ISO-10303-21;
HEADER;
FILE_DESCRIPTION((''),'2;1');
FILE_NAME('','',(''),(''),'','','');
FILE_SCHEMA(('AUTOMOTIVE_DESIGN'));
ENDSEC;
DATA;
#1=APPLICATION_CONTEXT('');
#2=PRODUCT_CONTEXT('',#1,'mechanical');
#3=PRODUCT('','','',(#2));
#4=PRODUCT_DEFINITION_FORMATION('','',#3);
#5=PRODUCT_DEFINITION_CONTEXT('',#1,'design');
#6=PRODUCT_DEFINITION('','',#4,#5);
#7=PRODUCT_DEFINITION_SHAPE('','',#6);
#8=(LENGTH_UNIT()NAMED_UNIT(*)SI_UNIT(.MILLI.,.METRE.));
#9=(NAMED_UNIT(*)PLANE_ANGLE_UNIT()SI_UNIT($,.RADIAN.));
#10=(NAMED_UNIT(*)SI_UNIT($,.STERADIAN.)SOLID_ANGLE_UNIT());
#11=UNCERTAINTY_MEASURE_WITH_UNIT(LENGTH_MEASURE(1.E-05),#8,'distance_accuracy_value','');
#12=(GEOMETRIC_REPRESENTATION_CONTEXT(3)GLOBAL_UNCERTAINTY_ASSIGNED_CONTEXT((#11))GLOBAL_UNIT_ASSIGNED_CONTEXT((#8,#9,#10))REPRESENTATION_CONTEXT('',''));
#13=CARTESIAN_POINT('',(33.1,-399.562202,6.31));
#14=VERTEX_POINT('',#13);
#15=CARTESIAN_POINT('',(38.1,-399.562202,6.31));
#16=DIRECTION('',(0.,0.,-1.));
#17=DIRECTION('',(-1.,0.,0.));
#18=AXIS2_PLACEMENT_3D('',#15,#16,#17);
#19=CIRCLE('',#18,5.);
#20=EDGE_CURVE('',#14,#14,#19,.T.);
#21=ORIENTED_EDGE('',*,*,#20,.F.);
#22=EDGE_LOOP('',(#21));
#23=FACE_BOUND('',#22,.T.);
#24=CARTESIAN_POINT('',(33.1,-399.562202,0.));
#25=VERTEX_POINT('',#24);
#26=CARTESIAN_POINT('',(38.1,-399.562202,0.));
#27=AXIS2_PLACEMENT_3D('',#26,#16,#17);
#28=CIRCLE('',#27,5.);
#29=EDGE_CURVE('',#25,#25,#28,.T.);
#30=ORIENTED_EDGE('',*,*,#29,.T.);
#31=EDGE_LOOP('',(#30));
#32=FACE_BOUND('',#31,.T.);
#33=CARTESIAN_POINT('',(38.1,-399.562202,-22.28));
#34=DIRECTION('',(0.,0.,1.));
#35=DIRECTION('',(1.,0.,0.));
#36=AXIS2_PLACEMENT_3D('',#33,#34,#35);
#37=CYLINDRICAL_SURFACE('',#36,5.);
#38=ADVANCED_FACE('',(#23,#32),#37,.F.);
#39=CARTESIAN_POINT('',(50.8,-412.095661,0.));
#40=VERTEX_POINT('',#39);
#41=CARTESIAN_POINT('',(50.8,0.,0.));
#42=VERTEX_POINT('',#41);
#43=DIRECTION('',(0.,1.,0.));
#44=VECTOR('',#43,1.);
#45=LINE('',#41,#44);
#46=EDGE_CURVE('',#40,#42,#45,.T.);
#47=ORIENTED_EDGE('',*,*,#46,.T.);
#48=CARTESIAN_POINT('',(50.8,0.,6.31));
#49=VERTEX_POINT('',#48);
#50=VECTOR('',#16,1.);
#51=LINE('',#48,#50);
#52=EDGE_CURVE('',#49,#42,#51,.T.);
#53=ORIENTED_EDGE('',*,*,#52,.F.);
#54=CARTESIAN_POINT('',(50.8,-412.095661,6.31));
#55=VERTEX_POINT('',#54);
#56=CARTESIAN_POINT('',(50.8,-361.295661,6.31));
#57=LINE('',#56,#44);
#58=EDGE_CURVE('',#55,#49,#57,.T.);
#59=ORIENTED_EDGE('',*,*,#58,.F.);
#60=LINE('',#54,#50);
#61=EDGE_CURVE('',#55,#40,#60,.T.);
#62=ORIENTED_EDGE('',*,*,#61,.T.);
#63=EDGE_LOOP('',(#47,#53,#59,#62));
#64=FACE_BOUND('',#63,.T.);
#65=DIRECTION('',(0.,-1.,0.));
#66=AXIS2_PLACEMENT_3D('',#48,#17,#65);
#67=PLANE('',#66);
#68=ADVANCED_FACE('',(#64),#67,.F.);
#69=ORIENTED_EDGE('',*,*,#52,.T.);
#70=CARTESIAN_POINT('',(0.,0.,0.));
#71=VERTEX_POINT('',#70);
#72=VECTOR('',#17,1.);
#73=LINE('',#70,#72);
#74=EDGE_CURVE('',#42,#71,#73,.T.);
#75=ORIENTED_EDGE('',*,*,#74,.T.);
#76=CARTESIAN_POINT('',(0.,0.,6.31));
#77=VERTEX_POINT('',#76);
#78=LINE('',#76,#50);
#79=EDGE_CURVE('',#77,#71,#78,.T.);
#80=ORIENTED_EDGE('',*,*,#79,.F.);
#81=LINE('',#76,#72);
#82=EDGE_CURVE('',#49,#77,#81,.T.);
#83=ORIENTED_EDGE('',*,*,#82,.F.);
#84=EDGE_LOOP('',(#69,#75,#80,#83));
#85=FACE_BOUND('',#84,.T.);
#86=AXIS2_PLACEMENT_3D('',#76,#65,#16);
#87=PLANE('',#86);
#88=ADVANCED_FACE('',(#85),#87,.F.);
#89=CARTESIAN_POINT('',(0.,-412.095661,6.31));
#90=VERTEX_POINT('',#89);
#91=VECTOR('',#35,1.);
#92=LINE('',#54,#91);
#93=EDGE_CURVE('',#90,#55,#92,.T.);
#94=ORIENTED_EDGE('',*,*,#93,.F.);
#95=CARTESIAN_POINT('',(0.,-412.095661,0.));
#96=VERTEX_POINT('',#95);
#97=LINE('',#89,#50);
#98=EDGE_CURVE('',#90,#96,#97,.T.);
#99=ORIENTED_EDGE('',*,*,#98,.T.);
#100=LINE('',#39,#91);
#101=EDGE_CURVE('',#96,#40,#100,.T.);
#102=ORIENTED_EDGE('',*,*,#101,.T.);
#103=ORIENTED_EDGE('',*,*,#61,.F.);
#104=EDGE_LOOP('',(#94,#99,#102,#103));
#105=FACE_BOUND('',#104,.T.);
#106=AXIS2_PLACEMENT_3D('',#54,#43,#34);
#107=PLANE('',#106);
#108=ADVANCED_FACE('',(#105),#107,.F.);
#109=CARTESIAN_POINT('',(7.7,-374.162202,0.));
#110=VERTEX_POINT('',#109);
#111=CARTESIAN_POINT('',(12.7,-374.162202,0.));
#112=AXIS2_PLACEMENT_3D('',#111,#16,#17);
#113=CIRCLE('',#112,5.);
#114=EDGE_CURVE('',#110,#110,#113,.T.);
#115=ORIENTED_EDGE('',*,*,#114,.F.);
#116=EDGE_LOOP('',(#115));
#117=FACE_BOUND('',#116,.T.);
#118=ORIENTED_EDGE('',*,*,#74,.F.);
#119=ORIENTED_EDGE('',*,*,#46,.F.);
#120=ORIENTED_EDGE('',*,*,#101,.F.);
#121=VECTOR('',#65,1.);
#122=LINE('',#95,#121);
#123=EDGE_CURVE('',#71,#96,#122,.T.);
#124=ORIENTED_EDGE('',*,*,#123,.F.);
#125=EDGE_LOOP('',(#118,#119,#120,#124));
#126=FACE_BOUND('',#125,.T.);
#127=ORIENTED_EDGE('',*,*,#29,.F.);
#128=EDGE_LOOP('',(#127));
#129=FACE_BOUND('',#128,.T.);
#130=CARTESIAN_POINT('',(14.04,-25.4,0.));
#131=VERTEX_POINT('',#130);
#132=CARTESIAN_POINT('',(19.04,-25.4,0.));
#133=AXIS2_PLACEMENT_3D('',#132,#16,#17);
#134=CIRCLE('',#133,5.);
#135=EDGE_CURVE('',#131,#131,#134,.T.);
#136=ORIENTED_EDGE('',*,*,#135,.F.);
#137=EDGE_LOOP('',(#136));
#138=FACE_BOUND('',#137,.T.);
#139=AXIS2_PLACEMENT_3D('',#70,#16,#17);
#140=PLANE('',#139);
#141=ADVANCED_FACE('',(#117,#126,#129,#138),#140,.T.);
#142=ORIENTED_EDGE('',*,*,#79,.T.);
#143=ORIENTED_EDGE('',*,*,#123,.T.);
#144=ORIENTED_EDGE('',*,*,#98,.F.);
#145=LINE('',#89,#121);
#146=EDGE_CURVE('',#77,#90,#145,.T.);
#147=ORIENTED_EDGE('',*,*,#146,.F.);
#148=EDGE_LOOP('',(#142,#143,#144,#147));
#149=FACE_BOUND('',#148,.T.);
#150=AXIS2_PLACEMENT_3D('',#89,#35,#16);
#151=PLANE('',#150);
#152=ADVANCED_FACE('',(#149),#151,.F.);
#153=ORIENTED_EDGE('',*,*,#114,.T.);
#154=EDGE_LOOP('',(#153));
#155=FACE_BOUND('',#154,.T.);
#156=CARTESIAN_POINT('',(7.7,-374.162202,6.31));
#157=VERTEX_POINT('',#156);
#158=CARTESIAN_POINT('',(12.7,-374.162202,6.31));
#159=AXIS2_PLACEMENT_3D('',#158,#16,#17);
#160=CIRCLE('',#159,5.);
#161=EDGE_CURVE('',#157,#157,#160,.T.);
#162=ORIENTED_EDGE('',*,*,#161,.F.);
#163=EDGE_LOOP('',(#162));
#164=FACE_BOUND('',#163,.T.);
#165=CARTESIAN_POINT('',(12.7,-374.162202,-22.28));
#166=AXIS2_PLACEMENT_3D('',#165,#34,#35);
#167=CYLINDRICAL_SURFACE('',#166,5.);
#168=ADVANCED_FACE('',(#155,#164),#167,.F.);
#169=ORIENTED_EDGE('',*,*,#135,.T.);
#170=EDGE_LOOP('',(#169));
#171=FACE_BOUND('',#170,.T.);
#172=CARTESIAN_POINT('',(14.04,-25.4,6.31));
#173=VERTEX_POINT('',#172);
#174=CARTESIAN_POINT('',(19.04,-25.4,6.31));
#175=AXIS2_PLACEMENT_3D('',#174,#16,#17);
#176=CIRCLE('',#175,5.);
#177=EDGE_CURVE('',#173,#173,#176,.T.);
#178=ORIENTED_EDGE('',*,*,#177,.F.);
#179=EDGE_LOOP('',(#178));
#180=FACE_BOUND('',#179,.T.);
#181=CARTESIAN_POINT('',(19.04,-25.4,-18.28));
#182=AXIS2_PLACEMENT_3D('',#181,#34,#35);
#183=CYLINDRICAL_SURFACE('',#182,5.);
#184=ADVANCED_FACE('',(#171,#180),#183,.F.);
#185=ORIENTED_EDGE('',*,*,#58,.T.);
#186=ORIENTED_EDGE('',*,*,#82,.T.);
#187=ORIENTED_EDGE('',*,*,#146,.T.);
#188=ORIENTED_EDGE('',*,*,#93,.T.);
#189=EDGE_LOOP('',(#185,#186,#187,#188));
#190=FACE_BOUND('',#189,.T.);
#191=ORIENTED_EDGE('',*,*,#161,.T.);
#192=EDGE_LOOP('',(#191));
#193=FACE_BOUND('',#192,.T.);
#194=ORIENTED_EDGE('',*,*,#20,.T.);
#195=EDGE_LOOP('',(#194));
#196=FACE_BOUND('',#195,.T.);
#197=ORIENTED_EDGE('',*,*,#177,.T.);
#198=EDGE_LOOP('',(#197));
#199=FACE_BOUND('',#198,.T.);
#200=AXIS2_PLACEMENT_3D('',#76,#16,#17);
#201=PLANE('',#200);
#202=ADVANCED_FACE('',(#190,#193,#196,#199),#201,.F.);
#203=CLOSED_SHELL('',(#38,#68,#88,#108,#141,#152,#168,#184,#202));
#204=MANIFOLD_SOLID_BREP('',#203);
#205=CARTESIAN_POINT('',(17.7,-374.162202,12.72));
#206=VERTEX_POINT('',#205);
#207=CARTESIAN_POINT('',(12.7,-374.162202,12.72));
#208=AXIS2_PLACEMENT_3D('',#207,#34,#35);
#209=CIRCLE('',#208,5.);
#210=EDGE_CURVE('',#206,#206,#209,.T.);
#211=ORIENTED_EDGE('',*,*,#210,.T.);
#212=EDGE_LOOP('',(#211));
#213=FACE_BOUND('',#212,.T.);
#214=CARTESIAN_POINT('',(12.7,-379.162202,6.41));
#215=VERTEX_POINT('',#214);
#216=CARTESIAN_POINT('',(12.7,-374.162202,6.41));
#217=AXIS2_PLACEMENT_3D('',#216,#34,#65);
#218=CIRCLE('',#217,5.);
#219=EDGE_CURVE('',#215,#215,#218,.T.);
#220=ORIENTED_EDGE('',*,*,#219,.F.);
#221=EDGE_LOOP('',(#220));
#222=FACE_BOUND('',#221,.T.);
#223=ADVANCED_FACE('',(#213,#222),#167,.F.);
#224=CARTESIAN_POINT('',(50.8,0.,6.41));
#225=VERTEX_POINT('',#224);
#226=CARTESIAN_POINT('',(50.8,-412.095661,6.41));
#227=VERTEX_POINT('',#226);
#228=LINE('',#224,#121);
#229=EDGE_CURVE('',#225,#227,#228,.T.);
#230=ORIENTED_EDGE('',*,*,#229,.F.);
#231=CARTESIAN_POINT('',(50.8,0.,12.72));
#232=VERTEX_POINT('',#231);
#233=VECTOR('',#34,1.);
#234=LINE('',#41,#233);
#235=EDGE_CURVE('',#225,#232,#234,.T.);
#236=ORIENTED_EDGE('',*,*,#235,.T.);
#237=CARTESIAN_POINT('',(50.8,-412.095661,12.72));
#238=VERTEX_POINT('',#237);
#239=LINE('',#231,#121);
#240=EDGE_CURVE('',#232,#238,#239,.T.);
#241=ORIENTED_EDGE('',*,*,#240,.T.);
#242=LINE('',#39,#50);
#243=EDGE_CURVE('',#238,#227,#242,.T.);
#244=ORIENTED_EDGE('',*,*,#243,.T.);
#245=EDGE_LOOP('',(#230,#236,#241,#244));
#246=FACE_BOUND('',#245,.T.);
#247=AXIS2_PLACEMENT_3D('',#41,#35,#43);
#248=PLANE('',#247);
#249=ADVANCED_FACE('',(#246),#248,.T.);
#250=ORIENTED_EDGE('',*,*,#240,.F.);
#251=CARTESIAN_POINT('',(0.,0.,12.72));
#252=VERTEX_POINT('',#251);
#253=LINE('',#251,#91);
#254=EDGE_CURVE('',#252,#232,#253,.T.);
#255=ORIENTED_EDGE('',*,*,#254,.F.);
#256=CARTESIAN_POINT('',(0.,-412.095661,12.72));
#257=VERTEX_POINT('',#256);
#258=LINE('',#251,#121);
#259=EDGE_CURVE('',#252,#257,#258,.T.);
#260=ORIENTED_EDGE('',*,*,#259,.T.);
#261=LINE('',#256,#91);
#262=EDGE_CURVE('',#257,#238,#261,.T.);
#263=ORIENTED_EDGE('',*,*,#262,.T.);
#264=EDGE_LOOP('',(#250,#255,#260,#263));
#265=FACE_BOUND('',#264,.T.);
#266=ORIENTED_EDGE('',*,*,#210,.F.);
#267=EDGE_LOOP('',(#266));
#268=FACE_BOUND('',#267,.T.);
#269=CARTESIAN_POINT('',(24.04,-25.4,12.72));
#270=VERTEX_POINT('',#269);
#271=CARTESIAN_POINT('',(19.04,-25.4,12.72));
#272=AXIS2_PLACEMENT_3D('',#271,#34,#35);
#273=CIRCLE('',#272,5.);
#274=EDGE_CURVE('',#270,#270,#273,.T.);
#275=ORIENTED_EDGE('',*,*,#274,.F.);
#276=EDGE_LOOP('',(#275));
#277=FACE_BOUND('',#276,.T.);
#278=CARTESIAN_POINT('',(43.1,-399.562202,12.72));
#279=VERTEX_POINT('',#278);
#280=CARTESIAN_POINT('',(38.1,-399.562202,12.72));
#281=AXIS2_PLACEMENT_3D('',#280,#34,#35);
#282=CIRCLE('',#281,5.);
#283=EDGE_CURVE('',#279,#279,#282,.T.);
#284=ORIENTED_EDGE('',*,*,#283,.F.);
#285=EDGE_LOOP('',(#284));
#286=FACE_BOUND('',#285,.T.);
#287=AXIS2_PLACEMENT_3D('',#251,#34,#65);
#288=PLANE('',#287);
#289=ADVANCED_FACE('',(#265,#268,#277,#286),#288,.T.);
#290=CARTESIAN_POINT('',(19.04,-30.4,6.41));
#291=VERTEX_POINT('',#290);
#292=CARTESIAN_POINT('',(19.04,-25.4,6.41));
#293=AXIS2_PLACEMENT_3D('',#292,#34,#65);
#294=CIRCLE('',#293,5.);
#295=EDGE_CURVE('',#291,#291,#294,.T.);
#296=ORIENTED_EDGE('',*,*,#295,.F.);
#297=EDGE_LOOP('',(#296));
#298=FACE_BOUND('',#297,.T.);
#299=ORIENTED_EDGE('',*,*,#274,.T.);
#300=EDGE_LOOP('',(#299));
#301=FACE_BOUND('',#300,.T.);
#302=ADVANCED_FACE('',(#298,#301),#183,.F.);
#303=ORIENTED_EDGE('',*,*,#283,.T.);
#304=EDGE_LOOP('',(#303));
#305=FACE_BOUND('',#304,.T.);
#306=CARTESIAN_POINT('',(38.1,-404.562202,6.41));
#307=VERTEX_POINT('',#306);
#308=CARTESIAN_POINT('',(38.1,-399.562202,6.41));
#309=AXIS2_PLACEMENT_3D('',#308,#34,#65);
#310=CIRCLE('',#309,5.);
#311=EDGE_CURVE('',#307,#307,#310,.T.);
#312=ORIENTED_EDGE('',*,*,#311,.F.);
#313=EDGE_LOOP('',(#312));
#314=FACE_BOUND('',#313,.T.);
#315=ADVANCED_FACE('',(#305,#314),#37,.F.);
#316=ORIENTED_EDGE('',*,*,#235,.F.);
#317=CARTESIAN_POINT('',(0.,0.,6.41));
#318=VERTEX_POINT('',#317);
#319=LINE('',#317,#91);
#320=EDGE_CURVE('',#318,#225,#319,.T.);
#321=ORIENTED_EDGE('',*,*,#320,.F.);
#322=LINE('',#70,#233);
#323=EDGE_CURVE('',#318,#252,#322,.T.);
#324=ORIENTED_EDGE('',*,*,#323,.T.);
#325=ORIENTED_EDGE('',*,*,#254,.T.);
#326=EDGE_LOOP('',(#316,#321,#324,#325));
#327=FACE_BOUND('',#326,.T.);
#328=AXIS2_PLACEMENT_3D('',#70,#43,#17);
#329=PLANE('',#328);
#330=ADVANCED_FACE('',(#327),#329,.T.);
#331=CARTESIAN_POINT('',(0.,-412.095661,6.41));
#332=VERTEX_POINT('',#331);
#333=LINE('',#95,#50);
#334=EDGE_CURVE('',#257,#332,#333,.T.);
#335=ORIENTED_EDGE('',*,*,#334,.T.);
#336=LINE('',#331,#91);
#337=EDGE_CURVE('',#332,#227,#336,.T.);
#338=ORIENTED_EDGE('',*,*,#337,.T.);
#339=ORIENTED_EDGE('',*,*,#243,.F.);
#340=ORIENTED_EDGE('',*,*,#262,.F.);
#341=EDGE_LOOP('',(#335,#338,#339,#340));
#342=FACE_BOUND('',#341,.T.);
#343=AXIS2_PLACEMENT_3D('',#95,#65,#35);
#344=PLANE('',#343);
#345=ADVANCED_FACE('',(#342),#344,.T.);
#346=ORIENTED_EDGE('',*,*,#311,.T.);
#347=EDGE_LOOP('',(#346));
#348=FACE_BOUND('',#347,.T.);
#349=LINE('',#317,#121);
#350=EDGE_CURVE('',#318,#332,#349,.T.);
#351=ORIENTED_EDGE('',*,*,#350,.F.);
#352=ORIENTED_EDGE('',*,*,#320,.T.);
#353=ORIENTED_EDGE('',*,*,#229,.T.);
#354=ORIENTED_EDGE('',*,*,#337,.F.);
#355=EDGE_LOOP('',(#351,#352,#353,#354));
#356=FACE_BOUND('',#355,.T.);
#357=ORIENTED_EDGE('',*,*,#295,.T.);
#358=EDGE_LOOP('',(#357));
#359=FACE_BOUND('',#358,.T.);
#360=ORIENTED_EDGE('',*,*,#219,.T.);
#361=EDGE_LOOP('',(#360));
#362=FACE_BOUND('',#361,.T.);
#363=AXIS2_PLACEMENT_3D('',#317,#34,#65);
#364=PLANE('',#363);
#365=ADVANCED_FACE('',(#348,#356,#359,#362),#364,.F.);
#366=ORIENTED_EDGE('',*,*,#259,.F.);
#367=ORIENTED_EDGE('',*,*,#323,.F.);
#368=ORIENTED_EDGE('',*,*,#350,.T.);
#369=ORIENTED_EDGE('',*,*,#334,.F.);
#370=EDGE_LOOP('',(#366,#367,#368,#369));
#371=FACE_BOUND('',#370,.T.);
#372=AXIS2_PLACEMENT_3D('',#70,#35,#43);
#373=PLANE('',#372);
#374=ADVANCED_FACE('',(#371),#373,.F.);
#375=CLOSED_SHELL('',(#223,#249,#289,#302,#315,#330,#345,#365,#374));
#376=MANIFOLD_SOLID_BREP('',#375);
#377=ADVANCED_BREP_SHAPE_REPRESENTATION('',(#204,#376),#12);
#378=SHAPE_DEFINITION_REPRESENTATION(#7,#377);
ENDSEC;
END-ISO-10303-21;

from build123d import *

# Parameters (mm, degrees)
SALIENTE_EXTRUIR1_DEPTH = 6.31
CROQUIS3_W              = 6.31
CROQUIS3_H              = 412.09566061
SALIENTE_EXTRUIR2_DEPTH = 50.8
CROQUIS4_R              = 5
CORTAR_EXTRUIR1_DEPTH   = 31
CROQUIS5_R              = 5
CORTAR_EXTRUIR2_DEPTH   = 35


with BuildPart() as part:
    # Croquis2 → Saliente-Extruir1 (new body)
    with BuildSketch(Plane.XY):
        Polygon((0, 0), (50.8, 0), (50.8, -361.29566061), (50.8, -412.09566061), (0, -412.09566061), align=None)
    extrude(amount=SALIENTE_EXTRUIR1_DEPTH)


with BuildPart() as body_2:
    # Croquis3 → Saliente-Extruir2 (new body)
    with BuildSketch(Plane(origin=(50.8, 0, 0), x_dir=(0, 0, -1), z_dir=(1, 0, 0))):
        with Locations((-9.565, -206.047830305)):
            Rectangle(CROQUIS3_W, CROQUIS3_H)
    extrude(amount=-SALIENTE_EXTRUIR2_DEPTH)


with BuildPart() as cortar_extruir1_tool:
    # Croquis4 → Cortar-Extruir1 (new body)
    with BuildSketch(Plane.XY.offset(12.72)):
        with Locations((19.04, -25.4)):
            Circle(CROQUIS4_R)
    extrude(amount=-CORTAR_EXTRUIR1_DEPTH)


with BuildPart() as part_1:
    add(part.part)

    # Cortar-Extruir1: cut by cortar_extruir1_tool
    add(cortar_extruir1_tool.part, mode=Mode.SUBTRACT)


with BuildPart() as body_2_1:
    add(body_2.part)

    # Cortar-Extruir1: cut by cortar_extruir1_tool
    add(cortar_extruir1_tool.part, mode=Mode.SUBTRACT)


with BuildPart() as cortar_extruir2_tool:
    # Croquis5 → Cortar-Extruir2 (new body)
    with BuildSketch(Plane.XY.offset(12.72)):
        with Locations((12.7, -374.162201783)):
            Circle(CROQUIS5_R)
        with Locations((38.1, -399.562201783)):
            Circle(CROQUIS5_R)
    extrude(amount=-CORTAR_EXTRUIR2_DEPTH)


with BuildPart() as part_2:
    add(part_1.part)

    # Cortar-Extruir2: cut by cortar_extruir2_tool
    add(cortar_extruir2_tool.part, mode=Mode.SUBTRACT)


with BuildPart() as body_2_2:
    add(body_2_1.part)

    # Cortar-Extruir2: cut by cortar_extruir2_tool
    add(cortar_extruir2_tool.part, mode=Mode.SUBTRACT)


solid = Compound([part_2.part, body_2_2.part])
